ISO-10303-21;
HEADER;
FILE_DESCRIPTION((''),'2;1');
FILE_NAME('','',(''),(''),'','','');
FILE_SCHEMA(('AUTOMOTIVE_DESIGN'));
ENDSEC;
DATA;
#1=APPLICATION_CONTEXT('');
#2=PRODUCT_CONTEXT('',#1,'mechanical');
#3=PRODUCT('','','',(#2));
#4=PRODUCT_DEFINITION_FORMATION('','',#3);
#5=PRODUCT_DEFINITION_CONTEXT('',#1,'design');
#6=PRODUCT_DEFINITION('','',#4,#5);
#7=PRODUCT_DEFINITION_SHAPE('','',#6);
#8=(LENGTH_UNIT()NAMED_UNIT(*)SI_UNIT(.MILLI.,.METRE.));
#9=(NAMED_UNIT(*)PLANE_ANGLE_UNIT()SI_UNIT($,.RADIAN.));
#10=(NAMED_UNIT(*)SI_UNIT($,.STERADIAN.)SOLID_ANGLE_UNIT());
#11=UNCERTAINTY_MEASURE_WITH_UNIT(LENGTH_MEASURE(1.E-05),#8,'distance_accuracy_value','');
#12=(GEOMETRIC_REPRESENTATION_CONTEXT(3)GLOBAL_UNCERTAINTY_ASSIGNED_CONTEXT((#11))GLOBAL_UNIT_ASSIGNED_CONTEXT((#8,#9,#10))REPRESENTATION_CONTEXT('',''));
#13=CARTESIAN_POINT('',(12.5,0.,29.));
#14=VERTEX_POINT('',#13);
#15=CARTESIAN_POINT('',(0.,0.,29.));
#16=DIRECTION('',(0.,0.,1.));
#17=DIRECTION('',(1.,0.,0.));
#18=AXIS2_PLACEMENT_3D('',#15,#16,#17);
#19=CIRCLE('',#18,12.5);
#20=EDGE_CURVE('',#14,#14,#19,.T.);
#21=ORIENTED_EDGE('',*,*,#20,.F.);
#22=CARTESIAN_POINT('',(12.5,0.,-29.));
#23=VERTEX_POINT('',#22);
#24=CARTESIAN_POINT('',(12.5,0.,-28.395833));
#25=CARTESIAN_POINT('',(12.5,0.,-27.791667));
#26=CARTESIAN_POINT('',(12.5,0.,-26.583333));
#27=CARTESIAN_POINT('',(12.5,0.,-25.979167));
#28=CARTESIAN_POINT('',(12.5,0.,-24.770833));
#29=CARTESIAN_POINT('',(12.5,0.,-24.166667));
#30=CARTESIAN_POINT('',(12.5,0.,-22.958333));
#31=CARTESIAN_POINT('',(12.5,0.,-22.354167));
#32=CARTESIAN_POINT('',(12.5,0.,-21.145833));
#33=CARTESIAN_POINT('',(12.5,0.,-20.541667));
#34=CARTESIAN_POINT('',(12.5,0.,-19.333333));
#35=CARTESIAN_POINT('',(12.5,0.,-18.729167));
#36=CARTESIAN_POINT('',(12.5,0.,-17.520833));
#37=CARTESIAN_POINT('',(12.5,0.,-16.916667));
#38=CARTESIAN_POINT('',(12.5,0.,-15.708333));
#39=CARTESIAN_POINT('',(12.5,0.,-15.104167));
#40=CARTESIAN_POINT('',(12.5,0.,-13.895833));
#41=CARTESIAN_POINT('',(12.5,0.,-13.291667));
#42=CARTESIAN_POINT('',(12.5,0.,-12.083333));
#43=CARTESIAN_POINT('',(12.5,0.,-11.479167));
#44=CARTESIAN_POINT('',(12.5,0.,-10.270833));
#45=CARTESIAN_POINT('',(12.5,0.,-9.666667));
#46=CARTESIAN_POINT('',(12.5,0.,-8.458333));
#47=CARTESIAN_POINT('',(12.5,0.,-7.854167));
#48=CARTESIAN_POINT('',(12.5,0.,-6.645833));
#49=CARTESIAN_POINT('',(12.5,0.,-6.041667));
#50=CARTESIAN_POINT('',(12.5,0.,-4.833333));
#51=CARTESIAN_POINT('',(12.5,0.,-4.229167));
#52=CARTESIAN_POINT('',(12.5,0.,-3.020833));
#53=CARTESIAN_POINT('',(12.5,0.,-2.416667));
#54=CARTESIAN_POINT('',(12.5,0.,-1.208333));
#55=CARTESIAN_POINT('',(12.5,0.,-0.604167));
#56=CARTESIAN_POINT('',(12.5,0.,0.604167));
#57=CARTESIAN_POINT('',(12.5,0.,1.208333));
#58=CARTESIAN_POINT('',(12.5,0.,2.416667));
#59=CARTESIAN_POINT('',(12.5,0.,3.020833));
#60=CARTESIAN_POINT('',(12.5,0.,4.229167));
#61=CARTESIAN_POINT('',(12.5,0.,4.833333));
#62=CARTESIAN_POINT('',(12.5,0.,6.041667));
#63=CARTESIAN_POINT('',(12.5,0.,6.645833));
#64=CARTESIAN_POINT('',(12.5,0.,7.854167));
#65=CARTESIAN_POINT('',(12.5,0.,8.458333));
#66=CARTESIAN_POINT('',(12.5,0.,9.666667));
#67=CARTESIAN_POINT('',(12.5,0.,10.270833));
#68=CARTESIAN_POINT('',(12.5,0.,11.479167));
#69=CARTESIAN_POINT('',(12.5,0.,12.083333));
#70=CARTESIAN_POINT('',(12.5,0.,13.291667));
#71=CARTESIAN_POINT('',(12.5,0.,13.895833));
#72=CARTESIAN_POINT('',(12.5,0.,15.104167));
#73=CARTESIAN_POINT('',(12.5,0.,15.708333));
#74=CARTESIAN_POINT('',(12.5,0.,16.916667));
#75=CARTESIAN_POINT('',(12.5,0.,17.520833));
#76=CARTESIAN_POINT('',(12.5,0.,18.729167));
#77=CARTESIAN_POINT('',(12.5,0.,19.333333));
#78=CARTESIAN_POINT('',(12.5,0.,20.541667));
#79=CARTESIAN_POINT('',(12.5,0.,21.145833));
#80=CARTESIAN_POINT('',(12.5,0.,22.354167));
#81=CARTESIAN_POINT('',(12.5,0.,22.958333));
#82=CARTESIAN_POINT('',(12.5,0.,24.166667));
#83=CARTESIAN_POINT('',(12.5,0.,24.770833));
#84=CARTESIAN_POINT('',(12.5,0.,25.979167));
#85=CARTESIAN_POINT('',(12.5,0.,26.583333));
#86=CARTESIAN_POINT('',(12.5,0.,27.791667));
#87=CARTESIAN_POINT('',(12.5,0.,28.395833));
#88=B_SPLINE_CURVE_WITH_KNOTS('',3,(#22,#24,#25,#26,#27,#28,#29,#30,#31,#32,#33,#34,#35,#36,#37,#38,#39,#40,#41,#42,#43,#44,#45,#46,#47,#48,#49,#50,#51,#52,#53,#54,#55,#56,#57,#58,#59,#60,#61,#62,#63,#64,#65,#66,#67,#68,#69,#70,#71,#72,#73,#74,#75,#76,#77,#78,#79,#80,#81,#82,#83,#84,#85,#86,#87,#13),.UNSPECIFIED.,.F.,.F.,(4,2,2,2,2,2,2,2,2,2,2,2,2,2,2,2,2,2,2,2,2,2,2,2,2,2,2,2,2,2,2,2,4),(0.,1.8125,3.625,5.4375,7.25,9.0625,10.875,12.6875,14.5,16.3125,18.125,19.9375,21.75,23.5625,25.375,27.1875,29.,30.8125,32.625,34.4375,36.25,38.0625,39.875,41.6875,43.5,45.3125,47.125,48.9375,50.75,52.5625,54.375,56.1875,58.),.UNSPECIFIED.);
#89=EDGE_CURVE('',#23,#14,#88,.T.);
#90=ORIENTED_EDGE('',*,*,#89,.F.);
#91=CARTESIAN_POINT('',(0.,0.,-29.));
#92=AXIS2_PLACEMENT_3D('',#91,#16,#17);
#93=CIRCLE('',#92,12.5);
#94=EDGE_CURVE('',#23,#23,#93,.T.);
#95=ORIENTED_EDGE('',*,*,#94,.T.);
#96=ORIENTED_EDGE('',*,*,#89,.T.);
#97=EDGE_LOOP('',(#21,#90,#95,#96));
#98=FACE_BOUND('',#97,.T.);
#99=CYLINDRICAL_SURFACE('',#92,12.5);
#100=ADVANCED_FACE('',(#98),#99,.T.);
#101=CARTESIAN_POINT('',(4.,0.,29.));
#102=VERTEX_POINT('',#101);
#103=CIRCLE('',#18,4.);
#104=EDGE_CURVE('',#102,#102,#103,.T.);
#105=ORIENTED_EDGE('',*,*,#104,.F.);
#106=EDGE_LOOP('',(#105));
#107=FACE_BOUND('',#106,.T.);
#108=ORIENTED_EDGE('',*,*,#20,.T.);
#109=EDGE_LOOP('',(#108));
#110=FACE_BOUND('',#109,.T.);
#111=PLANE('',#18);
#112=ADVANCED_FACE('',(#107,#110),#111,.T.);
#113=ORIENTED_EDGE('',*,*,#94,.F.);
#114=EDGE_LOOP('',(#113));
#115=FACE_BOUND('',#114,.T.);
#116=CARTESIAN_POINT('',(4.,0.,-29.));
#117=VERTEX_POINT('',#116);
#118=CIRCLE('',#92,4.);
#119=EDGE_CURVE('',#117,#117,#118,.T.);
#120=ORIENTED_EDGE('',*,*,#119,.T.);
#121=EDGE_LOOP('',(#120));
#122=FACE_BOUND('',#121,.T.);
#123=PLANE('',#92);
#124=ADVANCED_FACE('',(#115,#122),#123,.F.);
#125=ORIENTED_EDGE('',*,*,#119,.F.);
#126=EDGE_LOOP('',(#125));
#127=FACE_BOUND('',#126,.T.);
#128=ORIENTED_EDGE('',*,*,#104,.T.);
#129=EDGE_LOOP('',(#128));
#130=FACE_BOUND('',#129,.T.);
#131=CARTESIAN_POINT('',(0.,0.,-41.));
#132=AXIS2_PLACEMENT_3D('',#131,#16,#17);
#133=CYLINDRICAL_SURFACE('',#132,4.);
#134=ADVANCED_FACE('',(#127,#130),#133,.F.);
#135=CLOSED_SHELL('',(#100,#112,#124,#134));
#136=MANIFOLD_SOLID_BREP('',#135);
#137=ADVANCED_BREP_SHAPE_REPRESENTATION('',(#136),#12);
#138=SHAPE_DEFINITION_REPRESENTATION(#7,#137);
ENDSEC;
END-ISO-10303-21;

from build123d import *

# Parameters (mm, degrees)
CROQUIS1_R              = 12.5
SALIENTE_EXTRUIR1_DEPTH = 29
CROQUIS2_R              = 4
CORTAR_EXTRUIR1_DEPTH   = 70


with BuildPart() as part:
    # Croquis1 → Saliente-Extruir1 (new, symmetric)
    with BuildSketch(Plane.XY):
        Circle(CROQUIS1_R)
    extrude(amount=SALIENTE_EXTRUIR1_DEPTH, both=True)

    # Croquis2 → Cortar-Extruir1 (cut)
    with BuildSketch(Plane.XY.offset(29)):
        Circle(CROQUIS2_R)
    extrude(amount=-CORTAR_EXTRUIR1_DEPTH, mode=Mode.SUBTRACT)


solid = part.part
